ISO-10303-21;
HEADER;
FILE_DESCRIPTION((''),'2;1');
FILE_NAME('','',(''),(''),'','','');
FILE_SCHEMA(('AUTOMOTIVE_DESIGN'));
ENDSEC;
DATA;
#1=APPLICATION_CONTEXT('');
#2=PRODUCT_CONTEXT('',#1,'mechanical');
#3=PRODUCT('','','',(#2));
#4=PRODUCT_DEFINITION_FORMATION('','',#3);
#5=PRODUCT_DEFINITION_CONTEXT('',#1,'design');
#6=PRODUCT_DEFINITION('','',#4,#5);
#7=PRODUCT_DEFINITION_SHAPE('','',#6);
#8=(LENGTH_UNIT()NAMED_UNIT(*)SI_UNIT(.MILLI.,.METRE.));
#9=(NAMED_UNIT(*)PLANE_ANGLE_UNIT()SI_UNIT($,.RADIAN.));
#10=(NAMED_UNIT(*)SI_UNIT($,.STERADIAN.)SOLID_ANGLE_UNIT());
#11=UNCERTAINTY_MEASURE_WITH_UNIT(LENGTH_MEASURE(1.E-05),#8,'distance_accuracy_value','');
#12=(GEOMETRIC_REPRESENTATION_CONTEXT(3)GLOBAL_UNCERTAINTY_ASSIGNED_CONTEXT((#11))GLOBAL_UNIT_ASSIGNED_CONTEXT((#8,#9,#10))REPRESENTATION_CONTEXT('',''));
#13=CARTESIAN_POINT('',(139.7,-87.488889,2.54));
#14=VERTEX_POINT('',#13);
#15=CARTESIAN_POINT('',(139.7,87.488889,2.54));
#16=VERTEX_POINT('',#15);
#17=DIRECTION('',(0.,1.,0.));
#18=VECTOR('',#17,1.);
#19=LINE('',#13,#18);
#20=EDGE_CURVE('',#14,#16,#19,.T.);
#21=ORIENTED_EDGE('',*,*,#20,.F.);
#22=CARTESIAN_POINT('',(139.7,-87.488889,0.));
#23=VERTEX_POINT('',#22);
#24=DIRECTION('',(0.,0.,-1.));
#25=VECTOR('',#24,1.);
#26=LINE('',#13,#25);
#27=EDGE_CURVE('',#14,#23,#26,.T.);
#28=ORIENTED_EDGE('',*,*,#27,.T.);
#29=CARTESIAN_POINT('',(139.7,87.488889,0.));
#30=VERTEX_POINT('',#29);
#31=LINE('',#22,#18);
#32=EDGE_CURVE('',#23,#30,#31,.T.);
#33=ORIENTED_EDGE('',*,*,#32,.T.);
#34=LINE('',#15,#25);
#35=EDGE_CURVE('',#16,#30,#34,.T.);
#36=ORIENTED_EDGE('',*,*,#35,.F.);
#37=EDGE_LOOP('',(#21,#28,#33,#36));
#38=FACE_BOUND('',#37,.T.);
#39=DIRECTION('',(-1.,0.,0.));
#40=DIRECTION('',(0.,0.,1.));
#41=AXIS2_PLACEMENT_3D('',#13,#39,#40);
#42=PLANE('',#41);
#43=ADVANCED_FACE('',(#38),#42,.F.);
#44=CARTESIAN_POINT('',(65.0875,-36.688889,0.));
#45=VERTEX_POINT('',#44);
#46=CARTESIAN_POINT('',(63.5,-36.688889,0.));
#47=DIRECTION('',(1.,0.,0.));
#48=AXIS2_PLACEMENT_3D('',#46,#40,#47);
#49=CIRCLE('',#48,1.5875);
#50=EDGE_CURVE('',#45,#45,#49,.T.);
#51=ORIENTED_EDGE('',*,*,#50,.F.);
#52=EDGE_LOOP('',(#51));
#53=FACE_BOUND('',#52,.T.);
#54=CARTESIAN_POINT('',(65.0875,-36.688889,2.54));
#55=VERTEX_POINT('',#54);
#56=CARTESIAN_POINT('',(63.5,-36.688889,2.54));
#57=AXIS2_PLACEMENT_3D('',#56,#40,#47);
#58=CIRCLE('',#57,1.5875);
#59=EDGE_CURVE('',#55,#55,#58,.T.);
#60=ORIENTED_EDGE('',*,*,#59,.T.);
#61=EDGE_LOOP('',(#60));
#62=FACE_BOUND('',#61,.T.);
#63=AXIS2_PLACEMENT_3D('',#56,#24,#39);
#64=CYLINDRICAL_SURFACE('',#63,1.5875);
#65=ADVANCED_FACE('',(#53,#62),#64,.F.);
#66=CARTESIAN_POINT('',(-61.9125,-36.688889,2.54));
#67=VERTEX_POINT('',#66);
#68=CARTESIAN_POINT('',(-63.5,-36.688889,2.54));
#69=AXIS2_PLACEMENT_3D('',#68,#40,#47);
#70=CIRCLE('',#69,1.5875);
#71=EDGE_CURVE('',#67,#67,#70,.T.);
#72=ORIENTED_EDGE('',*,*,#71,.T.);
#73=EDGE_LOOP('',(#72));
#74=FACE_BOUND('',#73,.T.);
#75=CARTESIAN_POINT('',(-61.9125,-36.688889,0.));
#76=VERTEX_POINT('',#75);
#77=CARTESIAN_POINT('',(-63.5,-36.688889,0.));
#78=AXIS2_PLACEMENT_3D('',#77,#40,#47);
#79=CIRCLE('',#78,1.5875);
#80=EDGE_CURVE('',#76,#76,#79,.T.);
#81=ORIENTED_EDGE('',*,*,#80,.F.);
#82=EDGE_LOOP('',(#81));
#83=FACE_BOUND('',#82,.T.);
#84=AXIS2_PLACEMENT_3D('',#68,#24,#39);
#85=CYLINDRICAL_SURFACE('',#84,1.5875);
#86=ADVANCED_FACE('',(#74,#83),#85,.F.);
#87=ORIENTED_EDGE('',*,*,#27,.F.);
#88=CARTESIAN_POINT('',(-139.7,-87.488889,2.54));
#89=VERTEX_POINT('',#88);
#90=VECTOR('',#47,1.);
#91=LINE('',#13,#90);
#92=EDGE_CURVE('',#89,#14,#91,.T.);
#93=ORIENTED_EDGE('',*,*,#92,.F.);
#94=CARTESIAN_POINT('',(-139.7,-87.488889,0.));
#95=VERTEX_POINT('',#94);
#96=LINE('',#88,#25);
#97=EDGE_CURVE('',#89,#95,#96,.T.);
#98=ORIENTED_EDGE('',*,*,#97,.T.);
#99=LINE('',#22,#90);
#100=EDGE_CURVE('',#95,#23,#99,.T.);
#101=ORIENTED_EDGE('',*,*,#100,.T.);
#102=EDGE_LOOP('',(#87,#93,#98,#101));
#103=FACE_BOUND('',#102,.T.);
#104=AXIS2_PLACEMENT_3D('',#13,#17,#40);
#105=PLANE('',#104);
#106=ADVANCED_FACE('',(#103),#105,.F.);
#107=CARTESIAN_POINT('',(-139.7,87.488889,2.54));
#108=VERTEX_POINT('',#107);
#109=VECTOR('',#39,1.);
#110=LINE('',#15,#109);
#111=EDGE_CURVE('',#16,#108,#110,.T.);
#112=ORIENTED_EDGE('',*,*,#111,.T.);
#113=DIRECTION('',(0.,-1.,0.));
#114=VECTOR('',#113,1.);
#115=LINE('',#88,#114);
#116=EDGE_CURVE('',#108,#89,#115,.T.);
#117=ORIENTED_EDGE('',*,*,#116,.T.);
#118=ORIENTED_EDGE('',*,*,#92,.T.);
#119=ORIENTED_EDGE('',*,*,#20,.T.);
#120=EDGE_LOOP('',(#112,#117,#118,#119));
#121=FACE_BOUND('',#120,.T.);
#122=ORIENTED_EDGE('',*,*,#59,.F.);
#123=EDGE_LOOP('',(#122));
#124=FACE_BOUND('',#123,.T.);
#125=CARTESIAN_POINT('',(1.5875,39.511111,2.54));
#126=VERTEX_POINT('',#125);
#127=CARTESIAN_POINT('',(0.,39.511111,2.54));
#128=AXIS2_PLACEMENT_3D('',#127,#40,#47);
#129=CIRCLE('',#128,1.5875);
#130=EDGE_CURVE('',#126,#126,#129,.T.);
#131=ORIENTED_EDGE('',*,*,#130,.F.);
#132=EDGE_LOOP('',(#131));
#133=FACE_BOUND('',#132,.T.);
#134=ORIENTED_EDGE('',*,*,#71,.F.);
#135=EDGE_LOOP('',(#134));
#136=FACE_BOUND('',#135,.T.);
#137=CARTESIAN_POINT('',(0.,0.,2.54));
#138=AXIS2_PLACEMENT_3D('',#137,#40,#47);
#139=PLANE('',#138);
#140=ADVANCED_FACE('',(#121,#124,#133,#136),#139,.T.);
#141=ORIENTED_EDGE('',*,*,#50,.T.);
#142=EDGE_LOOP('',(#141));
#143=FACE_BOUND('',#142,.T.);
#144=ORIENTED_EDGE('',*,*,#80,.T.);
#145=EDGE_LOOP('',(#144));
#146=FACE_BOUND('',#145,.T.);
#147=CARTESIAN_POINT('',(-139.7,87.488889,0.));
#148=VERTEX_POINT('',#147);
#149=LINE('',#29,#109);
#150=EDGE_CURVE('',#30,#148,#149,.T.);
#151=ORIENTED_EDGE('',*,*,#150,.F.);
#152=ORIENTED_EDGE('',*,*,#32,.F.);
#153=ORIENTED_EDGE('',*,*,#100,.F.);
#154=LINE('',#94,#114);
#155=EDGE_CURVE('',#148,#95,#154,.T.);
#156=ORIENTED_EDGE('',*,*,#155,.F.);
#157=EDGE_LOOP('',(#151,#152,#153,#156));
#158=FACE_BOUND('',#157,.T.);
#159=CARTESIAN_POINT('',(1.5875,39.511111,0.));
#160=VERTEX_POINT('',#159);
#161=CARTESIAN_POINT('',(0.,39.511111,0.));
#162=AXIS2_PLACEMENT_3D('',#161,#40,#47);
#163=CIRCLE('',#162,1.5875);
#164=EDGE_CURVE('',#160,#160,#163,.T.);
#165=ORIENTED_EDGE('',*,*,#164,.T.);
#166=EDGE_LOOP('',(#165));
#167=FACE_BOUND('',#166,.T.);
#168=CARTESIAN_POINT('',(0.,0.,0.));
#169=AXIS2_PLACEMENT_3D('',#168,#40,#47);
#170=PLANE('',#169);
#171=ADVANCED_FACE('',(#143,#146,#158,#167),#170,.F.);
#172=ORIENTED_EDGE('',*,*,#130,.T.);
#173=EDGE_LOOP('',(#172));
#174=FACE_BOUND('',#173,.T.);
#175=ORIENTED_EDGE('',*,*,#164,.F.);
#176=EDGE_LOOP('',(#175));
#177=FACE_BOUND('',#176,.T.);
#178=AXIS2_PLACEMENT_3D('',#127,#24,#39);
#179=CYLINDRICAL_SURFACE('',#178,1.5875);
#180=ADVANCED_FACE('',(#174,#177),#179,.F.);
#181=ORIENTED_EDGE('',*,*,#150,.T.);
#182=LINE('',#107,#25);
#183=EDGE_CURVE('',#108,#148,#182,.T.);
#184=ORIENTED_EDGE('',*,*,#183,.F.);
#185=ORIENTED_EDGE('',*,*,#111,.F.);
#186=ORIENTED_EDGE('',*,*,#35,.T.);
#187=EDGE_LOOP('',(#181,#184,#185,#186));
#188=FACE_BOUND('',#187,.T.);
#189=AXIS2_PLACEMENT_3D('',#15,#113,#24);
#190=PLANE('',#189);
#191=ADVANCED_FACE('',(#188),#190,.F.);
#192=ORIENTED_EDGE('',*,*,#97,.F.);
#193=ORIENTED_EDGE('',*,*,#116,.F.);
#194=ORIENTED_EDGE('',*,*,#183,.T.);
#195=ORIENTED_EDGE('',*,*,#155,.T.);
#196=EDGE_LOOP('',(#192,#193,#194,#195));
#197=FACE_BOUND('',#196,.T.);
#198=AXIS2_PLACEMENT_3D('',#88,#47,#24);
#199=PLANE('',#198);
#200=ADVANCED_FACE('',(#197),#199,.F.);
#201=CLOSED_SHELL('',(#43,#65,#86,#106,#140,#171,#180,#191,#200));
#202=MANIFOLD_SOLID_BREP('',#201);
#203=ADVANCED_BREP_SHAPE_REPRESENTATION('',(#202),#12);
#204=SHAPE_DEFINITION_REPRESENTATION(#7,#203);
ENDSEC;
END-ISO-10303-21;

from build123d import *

# Parameters (mm, degrees)
SKETCH2_W           = 279.4
SKETCH2_H           = 174.977777778
SKETCH2_R           = 1.5875
BOSS_EXTRUDE1_DEPTH = 2.54


with BuildPart() as part:
    # Sketch2 → Boss-Extrude1 (new body)
    with BuildSketch(Plane.XY):
        Rectangle(SKETCH2_W, SKETCH2_H)
        with Locations((-63.5, -36.688888889)):
            Circle(SKETCH2_R, mode=Mode.SUBTRACT)
        with Locations((63.5, -36.688888889)):
            Circle(SKETCH2_R, mode=Mode.SUBTRACT)
        with Locations((0, 39.511111111)):
            Circle(SKETCH2_R, mode=Mode.SUBTRACT)
    extrude(amount=BOSS_EXTRUDE1_DEPTH)


solid = part.part
